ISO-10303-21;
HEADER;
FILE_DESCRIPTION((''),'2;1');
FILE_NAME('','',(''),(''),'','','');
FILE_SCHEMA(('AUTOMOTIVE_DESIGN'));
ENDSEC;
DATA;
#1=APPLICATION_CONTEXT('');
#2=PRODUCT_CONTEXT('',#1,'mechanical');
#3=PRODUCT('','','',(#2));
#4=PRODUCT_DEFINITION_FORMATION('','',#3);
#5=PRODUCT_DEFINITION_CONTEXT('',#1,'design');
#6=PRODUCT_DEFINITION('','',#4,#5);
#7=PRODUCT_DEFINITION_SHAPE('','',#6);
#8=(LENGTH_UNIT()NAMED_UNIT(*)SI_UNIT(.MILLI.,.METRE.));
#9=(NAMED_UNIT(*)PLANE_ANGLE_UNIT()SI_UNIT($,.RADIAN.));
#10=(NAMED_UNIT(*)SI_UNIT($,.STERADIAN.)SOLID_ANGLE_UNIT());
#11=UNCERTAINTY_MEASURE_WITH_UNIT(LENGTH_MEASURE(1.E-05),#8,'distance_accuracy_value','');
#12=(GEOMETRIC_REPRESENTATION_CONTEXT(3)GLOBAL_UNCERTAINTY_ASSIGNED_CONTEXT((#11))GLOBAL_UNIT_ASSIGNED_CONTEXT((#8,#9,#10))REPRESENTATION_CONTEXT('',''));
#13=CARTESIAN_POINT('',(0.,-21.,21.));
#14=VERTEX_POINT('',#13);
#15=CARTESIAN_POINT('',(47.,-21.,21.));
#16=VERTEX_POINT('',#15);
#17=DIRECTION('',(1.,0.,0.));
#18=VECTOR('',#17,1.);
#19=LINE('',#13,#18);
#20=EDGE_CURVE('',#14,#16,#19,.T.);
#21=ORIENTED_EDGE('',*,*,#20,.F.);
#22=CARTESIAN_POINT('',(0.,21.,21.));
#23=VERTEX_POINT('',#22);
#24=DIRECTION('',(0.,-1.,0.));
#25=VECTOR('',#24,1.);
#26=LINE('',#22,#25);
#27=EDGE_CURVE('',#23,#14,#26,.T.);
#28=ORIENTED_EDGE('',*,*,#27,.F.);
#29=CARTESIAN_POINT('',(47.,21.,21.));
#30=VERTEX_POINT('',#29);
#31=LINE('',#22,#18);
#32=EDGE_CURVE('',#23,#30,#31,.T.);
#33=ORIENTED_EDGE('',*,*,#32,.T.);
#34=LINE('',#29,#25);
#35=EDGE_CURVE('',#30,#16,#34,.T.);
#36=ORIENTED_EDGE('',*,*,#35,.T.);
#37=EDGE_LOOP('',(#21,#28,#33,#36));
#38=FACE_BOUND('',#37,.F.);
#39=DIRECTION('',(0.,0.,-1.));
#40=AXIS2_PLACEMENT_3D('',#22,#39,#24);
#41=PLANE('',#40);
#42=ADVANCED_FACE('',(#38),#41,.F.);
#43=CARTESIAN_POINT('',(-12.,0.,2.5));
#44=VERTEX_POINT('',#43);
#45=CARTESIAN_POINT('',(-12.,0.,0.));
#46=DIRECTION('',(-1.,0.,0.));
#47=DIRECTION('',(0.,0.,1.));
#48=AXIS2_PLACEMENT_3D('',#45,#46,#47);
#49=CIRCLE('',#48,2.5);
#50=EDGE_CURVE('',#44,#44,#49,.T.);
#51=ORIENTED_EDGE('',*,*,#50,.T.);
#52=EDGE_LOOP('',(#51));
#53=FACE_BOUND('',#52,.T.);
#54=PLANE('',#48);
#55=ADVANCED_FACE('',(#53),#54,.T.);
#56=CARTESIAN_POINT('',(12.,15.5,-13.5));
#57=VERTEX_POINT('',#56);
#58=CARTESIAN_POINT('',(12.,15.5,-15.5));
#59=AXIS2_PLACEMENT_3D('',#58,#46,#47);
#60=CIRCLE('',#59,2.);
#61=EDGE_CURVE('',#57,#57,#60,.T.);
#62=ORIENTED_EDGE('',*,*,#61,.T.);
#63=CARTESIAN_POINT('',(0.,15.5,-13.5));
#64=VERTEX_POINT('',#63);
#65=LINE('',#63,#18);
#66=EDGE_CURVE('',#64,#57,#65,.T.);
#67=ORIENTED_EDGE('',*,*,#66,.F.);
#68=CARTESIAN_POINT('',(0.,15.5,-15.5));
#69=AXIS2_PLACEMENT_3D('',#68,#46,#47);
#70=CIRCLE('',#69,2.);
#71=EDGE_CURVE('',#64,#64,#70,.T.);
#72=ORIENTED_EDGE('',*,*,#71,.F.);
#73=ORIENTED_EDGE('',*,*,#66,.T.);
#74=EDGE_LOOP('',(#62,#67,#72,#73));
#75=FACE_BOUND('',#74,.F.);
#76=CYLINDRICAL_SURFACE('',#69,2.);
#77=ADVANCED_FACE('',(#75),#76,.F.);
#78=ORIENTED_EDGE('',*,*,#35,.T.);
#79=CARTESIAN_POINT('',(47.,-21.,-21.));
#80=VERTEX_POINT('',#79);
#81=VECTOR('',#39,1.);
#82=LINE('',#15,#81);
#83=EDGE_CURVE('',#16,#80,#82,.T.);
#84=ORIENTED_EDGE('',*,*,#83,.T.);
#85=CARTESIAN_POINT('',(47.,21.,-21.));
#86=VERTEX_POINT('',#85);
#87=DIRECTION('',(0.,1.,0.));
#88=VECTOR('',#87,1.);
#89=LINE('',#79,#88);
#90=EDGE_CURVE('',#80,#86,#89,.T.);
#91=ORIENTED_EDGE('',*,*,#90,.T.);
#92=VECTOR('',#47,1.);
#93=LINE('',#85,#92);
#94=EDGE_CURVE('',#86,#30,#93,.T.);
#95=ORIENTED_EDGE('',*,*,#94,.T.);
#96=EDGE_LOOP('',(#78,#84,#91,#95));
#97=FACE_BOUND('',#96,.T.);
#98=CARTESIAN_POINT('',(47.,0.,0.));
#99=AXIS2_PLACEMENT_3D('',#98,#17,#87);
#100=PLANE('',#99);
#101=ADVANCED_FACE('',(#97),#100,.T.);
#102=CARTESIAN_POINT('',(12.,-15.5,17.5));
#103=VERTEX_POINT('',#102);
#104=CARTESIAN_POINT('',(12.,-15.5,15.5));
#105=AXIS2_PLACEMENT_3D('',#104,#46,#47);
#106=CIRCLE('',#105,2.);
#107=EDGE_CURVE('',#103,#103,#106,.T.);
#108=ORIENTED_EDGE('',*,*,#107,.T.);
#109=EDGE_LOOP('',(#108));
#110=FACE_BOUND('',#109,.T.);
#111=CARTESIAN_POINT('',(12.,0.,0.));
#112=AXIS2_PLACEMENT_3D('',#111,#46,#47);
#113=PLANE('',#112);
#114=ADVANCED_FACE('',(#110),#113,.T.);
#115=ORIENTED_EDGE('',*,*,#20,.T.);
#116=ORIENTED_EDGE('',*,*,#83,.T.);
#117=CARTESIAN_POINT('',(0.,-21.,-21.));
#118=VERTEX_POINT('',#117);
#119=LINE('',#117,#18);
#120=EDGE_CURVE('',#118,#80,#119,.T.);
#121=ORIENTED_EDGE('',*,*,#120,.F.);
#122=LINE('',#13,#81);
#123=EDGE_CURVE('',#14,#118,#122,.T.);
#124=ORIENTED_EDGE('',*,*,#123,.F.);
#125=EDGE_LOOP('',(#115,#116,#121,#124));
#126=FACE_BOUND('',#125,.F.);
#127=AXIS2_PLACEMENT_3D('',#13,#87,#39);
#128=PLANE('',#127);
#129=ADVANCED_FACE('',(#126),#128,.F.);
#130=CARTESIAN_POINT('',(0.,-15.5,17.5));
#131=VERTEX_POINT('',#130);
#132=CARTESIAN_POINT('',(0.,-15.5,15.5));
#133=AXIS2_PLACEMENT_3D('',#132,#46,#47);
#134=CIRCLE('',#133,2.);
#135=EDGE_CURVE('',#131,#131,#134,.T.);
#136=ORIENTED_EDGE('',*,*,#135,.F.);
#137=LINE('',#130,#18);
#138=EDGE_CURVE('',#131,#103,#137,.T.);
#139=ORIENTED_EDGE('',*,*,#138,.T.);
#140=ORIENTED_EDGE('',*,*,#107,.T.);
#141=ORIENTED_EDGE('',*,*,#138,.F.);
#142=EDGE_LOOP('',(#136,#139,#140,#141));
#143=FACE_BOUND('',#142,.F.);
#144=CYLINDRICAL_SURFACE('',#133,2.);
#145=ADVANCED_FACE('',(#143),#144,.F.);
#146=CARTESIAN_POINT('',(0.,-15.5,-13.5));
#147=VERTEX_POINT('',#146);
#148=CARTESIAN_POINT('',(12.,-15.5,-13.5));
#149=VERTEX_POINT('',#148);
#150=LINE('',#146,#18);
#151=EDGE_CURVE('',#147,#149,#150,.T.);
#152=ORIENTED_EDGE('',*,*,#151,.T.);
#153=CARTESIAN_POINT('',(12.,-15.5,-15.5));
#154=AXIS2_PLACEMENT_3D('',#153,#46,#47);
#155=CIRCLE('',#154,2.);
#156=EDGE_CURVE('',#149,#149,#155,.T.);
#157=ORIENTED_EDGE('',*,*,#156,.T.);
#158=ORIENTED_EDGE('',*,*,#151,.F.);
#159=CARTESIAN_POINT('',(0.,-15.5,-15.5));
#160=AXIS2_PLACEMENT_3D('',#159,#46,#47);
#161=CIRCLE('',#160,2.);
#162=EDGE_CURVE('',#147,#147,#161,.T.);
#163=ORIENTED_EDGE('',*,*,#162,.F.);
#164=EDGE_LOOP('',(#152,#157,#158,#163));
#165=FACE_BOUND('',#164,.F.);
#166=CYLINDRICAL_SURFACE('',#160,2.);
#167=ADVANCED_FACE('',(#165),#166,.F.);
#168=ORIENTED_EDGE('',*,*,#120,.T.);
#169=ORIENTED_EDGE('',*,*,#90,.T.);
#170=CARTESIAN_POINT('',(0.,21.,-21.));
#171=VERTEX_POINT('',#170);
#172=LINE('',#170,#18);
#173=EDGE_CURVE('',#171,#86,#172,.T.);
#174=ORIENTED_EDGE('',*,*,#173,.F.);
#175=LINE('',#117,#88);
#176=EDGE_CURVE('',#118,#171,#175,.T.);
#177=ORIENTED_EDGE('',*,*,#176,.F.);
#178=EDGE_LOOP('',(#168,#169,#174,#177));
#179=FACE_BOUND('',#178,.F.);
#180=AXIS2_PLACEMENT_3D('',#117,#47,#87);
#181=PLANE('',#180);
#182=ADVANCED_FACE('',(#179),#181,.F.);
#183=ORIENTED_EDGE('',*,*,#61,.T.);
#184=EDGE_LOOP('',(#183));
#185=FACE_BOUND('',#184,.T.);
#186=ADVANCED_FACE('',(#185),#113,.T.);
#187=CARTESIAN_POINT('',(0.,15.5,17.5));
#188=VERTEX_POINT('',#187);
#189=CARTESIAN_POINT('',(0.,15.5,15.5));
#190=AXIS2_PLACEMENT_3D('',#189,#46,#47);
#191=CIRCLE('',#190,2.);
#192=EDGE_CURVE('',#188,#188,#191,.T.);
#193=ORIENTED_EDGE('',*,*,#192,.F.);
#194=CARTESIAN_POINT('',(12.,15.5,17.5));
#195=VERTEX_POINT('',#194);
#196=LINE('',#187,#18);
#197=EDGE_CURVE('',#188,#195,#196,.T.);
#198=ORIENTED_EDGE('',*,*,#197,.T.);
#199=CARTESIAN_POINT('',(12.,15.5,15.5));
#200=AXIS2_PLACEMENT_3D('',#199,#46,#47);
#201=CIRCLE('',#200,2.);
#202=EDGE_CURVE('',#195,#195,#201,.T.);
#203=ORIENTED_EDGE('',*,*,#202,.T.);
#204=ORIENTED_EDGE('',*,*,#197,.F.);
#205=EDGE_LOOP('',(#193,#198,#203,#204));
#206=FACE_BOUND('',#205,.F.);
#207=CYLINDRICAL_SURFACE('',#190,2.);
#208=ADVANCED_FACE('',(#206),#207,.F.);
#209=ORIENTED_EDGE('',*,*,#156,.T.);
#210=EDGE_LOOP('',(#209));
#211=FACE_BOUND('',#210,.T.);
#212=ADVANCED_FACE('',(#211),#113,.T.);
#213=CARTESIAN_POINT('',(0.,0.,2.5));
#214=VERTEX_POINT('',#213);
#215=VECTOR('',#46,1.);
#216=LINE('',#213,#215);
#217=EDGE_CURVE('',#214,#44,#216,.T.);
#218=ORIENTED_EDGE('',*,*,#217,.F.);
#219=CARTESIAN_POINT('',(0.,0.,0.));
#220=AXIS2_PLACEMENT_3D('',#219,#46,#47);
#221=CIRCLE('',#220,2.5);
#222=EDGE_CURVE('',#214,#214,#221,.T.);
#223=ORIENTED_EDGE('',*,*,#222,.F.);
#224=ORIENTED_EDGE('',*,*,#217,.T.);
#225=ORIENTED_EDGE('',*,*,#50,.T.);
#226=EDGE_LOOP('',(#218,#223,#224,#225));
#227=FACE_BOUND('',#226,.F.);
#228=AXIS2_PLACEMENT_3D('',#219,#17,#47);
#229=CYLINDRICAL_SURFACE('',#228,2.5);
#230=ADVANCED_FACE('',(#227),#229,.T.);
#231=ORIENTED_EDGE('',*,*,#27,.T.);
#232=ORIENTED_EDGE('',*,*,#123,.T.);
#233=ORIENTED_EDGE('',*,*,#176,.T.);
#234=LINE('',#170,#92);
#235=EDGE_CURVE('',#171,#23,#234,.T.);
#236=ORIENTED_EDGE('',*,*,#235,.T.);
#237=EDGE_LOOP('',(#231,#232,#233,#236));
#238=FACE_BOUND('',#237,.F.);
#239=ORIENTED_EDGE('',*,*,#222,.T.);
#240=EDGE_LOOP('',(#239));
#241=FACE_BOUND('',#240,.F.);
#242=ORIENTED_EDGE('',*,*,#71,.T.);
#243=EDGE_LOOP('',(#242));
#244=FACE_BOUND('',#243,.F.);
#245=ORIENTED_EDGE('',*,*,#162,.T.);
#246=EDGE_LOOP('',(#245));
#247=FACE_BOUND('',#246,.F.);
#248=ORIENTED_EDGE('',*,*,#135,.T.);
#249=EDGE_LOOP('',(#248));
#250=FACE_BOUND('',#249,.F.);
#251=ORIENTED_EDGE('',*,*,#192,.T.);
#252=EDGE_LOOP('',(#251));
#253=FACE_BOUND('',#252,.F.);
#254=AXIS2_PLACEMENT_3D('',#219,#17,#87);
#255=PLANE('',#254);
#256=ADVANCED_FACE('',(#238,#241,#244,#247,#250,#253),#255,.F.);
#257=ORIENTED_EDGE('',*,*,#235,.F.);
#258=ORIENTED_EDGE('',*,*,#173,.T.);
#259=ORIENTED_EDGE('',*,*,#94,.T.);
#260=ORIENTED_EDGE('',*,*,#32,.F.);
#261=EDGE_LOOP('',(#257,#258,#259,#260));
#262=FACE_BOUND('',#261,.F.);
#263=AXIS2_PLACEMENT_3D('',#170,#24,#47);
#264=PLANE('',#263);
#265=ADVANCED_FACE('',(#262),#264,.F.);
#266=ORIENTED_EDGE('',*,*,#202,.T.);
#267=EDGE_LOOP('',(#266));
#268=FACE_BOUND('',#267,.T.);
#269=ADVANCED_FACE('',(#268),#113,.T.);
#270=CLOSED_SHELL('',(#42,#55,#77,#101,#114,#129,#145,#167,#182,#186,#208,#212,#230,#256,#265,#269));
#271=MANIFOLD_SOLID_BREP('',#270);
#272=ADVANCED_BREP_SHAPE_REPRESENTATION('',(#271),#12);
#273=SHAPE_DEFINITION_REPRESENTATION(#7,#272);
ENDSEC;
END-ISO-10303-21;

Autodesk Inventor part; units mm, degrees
ref_plane "YZ Plane" through (0, 0, 0) normal (1, 0, 0) x (0, 1, 0)
ref_plane "XZ Plane" through (0, 0, 0) normal (0, 1, 0) x (-1, 0, 0)
ref_plane "XY Plane" through (0, 0, 0) normal (0, 0, 1) x (1, 0, 0)
sketch "Sketch1" plane through (0, 0, 0) normal (1, 0, 0) x (0, 1, 0)
  line L0 (21, 21) -> (-21, 21)
  line L1 (-21, 21) -> (-21, -21)
  line L2 (-21, -21) -> (21, -21)
  line L3 (21, -21) -> (21, 21)
  point P0 (0, 0)
  point P1 (0, 21)
  point P2 (21, 0)
  dimension "d0" = 42
  dimension "d1" = 42
extrude "Extrusion1" add sketch "Sketch1" along normal blind 47
sketch "Sketch2" plane through (0, 0, 0) normal (-1, 0, 0) x (0, 0, 1)
  circle A0 centre (0, 0) radius 2.5
  dimension "d4" = 5
extrude "Extrusion2" add sketch "Sketch2" along normal blind 12
sketch "Sketch3" plane through (0, 0, 0) normal (-1, 0, 0) x (0, 0, 1)
  circle A0 centre (15.5, 15.5) radius 2
  line L0 (-13.7584, 0) -> (4.183, 0) construction
  line L1 (0, 11.541) -> (0, -2.5) construction
  circle A1 centre (0, 0) radius 2.5 construction
  circle A2 centre (15.5, -15.5) radius 2
  circle A3 centre (-15.5, 15.5) radius 2
  circle A4 centre (-15.5, -15.5) radius 2
  dimension "d7" = 15.5
  dimension "d8" = 15.5
  dimension "d9" = 4
extrude "Extrusion3" cut sketch "Sketch3" against normal blind 12
properties part number "NEMA 17 Completely Correct"
